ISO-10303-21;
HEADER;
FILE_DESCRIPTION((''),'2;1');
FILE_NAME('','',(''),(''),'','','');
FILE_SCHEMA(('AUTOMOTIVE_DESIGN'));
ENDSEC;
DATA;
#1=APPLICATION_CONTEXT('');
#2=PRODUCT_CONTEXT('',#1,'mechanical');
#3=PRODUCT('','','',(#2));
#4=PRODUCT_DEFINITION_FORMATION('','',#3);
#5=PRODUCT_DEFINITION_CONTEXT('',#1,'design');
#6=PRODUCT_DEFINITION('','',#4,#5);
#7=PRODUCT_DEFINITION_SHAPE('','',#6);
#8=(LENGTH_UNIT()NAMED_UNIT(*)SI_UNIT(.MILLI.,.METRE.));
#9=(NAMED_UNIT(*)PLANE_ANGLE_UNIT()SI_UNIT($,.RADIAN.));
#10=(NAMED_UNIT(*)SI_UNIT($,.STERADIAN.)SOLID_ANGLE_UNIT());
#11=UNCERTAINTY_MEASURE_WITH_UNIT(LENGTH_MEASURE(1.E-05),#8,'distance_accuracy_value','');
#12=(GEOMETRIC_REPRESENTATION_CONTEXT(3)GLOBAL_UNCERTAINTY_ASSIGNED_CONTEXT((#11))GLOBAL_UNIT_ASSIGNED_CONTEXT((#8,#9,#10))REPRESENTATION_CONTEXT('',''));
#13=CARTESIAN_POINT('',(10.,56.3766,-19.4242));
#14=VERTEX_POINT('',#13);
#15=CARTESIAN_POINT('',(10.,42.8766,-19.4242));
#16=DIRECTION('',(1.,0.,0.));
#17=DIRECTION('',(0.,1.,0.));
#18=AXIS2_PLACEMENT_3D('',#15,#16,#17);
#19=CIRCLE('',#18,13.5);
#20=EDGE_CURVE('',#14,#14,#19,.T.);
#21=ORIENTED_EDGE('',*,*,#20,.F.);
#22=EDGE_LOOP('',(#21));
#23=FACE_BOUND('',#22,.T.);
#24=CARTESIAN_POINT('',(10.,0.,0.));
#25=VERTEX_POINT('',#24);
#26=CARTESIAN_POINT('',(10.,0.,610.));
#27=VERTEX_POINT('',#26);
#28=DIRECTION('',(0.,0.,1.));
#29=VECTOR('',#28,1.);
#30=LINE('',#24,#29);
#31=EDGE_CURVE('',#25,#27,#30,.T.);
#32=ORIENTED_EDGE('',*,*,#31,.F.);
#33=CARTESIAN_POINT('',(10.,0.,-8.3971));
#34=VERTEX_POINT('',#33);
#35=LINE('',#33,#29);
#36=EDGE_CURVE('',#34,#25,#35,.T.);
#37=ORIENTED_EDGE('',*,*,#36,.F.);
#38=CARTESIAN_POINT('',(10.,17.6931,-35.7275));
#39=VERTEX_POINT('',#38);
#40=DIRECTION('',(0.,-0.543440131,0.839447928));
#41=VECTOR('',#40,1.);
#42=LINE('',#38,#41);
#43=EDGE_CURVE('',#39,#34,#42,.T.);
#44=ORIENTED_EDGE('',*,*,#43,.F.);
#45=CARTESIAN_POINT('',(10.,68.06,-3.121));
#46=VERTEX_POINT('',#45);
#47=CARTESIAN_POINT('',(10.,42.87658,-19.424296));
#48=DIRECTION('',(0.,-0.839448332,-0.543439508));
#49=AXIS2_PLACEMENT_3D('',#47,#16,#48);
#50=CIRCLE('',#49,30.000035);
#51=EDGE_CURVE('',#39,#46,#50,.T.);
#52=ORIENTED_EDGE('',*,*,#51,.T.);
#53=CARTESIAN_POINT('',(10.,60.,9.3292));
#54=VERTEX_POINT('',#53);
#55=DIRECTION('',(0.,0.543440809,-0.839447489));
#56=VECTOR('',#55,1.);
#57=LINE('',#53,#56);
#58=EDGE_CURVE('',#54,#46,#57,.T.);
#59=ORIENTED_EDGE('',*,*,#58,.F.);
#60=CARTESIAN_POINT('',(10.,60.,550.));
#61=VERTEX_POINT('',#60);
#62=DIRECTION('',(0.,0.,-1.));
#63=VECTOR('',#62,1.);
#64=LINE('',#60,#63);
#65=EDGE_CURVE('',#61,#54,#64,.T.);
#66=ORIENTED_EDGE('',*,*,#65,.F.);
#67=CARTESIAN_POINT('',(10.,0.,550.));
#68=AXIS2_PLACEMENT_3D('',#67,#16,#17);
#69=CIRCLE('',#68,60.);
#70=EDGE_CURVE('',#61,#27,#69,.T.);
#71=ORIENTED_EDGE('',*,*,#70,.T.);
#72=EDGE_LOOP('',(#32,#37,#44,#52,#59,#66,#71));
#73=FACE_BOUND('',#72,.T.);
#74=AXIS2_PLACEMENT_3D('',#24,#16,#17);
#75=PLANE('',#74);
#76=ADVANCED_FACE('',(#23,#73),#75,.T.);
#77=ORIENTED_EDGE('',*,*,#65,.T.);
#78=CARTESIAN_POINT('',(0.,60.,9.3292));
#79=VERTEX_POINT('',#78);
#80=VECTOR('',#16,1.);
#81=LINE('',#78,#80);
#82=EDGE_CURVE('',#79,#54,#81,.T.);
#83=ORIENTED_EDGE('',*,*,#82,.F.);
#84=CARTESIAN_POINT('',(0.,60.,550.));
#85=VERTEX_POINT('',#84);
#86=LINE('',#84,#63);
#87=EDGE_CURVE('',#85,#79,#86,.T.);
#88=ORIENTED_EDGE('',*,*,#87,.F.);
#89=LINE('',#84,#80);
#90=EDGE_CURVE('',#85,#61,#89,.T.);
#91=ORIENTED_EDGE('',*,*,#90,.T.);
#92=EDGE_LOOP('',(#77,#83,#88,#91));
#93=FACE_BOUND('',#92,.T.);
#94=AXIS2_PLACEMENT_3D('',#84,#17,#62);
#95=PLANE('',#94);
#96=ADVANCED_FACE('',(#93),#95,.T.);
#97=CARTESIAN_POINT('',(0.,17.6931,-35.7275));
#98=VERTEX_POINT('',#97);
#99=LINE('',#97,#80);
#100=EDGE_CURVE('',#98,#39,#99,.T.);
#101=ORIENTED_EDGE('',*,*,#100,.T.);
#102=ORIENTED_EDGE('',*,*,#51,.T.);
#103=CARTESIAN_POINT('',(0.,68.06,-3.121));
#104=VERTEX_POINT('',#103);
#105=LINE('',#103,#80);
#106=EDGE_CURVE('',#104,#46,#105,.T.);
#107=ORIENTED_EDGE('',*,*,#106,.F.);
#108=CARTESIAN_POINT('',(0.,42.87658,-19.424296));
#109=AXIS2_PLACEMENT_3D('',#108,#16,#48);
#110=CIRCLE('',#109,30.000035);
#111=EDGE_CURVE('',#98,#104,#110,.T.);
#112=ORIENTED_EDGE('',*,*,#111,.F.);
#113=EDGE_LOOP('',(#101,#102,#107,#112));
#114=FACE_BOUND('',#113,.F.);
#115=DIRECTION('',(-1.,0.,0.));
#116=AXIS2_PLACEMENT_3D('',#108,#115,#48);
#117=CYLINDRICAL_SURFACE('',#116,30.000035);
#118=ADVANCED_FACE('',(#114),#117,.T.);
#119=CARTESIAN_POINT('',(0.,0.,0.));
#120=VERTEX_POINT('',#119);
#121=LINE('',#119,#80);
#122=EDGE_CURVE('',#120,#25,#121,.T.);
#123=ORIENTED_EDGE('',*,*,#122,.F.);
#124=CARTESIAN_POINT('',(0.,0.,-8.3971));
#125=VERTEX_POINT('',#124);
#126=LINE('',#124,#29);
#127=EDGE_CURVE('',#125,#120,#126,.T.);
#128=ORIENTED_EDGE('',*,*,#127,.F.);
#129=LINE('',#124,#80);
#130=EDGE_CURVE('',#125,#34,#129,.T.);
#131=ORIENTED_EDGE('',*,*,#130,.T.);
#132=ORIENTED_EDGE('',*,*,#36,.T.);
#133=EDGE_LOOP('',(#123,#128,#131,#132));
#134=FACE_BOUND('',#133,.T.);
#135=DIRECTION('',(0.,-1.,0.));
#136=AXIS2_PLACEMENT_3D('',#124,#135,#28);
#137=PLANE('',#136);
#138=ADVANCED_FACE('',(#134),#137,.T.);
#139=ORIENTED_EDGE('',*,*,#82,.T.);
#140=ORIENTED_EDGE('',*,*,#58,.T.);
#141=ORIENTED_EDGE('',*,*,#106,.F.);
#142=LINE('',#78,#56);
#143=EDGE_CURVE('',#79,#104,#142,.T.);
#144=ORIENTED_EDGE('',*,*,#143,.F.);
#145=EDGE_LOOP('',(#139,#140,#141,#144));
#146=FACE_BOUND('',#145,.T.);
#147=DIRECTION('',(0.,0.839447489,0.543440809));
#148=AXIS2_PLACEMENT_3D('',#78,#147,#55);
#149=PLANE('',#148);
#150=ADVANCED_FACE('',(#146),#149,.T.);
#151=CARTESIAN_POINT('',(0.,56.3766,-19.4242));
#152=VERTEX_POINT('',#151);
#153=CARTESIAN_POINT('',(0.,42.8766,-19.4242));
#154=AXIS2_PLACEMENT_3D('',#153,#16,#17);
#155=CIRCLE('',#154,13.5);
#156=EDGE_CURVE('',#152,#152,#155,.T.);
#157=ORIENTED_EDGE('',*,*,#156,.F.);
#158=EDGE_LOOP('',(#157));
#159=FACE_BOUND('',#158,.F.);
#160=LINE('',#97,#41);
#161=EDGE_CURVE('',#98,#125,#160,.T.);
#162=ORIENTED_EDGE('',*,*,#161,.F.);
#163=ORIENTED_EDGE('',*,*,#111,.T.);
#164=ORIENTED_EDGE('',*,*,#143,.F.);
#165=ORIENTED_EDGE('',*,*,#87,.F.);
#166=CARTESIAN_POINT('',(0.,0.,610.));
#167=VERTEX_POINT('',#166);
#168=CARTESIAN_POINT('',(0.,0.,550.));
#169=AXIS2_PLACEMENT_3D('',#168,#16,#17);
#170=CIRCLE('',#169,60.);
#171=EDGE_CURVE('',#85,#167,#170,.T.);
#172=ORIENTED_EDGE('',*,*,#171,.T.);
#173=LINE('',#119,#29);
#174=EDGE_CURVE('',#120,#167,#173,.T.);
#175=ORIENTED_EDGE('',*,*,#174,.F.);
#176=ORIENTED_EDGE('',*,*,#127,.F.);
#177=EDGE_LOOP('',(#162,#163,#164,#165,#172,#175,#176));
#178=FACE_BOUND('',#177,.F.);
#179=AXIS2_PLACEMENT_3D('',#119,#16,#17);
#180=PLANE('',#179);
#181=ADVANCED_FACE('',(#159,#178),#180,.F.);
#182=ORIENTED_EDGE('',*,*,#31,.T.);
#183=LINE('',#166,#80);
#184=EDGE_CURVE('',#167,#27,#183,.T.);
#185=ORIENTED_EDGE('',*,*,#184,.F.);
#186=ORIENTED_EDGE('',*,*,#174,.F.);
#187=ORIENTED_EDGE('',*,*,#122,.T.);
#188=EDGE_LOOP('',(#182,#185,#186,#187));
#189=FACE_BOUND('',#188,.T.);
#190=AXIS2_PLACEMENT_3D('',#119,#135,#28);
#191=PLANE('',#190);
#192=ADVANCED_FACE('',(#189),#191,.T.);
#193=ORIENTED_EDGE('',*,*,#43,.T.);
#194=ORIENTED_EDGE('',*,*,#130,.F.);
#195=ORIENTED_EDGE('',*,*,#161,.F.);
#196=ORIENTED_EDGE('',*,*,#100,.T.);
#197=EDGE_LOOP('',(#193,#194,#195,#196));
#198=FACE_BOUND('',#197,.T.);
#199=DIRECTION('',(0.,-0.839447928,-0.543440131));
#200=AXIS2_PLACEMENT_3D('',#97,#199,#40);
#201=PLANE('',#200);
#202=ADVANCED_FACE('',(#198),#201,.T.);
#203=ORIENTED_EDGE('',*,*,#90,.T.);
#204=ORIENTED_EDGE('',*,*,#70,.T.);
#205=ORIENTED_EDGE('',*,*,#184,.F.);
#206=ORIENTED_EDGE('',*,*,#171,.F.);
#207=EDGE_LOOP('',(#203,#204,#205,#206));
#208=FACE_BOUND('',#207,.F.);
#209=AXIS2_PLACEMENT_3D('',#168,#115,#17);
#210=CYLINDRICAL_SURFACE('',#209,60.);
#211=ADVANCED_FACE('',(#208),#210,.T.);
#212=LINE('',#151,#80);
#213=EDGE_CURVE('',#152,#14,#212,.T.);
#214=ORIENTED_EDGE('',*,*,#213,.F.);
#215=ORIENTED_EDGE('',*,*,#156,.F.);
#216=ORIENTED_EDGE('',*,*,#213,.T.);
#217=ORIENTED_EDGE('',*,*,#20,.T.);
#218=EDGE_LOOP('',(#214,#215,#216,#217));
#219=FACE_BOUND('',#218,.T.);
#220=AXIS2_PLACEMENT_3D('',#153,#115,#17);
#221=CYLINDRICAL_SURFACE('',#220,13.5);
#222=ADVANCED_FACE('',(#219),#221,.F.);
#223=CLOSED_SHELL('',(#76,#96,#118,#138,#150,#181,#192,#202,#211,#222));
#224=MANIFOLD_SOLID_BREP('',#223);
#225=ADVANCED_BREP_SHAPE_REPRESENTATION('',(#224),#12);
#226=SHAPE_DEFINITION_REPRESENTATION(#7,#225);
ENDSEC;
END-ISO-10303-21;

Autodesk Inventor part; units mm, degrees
ref_plane "YZ Plane" through (0, 0, 0) normal (1, 0, 0) x (0, 1, 0)
ref_plane "XZ Plane" through (0, 0, 0) normal (0, 1, 0) x (-1, 0, 0)
ref_plane "XY Plane" through (0, 0, 0) normal (0, 0, 1) x (1, 0, 0)
sketch "Boceto1" plane through (0, 0, 0) normal (1, 0, 0) x (0, 1, 0)
  line L0 (0, 0) -> (0, 610)
  arc A0 (60, 550) -> (0, 610) centre (0, 550) ccw
  line L1 (60, 550) -> (60, 9.3292)
  line L2 (60, 9.3292) -> (68.06, -3.121)
  arc A1 (17.6931, -35.7275) -> (68.06, -3.121) centre (42.8766, -19.4242) ccw
  line L3 (17.6931, -35.7275) -> (0, -8.3971)
  line L4 (0, -8.3971) -> (0, 0)
  circle A2 centre (42.8766, -19.4242) radius 13.5
  dimension "d1" = 60
  dimension "d2" = 550
  dimension "d6" = 60
  dimension "d7" = 30
  dimension "d8" = 27
  dimension "d10" = 42.8766
  dimension "d11" = 19.4242
  dimension "d12" = 32.5576
extrude "Extrusión1" add sketch "Boceto1" along normal blind 10
properties part number "filo"
